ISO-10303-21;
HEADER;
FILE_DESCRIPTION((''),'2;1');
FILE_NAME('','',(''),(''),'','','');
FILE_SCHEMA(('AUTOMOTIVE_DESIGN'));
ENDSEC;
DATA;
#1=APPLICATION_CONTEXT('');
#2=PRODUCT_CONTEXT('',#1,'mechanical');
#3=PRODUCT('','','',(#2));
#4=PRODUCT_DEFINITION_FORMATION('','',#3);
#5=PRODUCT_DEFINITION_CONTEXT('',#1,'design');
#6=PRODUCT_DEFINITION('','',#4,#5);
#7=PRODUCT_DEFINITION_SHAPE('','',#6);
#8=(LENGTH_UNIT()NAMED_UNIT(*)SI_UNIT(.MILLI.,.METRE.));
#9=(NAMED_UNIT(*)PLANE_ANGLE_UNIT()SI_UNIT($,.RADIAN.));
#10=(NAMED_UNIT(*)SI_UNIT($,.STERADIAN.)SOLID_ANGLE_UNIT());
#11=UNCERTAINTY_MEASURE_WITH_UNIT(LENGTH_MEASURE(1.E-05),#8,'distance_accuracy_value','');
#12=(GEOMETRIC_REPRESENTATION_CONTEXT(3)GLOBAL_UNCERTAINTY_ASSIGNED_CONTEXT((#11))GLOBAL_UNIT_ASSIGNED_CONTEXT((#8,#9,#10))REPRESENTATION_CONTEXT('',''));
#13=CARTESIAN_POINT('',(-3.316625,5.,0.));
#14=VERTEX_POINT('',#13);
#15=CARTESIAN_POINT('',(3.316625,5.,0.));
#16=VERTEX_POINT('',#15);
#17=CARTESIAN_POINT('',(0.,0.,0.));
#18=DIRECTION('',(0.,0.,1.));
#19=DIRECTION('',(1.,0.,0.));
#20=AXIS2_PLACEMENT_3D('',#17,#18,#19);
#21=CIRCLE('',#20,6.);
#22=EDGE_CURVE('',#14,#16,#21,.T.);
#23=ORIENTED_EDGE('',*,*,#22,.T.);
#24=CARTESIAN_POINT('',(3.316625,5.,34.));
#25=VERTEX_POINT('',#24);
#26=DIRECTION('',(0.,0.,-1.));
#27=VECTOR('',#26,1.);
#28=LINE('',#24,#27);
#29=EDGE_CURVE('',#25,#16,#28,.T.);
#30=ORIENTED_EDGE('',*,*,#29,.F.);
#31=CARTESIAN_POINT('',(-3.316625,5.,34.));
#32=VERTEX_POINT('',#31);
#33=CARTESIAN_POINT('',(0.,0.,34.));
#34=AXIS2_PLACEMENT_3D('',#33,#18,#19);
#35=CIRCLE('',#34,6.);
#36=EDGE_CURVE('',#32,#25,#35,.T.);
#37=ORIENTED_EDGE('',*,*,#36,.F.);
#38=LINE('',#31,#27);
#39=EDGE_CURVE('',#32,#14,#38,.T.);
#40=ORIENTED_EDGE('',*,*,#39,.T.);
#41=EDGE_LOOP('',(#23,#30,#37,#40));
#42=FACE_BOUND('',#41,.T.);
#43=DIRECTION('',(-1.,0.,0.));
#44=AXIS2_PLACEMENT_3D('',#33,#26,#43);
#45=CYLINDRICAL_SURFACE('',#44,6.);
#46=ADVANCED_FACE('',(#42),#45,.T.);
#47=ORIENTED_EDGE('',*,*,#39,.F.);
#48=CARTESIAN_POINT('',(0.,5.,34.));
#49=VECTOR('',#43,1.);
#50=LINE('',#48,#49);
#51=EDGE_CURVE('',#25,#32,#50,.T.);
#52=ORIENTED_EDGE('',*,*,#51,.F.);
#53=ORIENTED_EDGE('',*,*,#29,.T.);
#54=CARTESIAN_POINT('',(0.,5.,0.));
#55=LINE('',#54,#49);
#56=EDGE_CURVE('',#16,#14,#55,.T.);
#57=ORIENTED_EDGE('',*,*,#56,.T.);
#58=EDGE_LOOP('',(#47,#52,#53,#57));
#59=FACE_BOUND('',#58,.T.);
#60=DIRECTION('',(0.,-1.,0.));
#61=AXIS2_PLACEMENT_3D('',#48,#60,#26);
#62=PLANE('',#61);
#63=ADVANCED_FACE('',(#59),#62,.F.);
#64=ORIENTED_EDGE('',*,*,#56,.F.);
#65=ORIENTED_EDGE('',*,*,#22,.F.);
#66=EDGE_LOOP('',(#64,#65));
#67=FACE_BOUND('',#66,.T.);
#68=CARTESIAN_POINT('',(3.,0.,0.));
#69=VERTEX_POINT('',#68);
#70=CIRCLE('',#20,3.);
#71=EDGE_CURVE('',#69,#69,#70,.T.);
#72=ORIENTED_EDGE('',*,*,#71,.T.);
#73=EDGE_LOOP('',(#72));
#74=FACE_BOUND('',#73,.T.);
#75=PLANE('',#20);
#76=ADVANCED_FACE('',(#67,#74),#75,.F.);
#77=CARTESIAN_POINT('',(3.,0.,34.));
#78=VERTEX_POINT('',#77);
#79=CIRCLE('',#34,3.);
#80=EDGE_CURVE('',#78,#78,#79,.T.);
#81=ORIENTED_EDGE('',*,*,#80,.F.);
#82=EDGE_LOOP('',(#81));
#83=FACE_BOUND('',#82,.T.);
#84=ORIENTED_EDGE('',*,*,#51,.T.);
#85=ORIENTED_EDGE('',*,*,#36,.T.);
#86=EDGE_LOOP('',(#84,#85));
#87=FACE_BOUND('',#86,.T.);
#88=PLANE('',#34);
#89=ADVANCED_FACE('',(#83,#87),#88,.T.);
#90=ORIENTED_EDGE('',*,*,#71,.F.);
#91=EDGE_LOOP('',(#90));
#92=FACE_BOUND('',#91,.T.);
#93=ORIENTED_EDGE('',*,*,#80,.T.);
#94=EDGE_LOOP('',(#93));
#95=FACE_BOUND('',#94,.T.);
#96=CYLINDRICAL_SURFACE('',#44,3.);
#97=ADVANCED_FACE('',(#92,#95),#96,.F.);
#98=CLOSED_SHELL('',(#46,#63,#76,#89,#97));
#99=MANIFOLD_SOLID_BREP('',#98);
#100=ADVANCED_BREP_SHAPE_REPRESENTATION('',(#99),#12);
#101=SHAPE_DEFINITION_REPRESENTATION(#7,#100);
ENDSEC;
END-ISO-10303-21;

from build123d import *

# Parameters (mm, degrees)
SKETCH_1_R      = 3
EXTRUDE_1_DEPTH = 34


with BuildPart() as part:
    # 草图1 → 凸台-拉伸1 (new body)
    with BuildSketch(Plane.XY):
        with BuildLine():
            Line((0, 5), (3.31662479, 5))
            ThreePointArc((3.31662479, 5), (0, -6), (-3.31662479, 5))
            Line((-3.31662479, 5), (0, 5))
        make_face()
        Circle(SKETCH_1_R, mode=Mode.SUBTRACT)
    extrude(amount=EXTRUDE_1_DEPTH)


solid = part.part
